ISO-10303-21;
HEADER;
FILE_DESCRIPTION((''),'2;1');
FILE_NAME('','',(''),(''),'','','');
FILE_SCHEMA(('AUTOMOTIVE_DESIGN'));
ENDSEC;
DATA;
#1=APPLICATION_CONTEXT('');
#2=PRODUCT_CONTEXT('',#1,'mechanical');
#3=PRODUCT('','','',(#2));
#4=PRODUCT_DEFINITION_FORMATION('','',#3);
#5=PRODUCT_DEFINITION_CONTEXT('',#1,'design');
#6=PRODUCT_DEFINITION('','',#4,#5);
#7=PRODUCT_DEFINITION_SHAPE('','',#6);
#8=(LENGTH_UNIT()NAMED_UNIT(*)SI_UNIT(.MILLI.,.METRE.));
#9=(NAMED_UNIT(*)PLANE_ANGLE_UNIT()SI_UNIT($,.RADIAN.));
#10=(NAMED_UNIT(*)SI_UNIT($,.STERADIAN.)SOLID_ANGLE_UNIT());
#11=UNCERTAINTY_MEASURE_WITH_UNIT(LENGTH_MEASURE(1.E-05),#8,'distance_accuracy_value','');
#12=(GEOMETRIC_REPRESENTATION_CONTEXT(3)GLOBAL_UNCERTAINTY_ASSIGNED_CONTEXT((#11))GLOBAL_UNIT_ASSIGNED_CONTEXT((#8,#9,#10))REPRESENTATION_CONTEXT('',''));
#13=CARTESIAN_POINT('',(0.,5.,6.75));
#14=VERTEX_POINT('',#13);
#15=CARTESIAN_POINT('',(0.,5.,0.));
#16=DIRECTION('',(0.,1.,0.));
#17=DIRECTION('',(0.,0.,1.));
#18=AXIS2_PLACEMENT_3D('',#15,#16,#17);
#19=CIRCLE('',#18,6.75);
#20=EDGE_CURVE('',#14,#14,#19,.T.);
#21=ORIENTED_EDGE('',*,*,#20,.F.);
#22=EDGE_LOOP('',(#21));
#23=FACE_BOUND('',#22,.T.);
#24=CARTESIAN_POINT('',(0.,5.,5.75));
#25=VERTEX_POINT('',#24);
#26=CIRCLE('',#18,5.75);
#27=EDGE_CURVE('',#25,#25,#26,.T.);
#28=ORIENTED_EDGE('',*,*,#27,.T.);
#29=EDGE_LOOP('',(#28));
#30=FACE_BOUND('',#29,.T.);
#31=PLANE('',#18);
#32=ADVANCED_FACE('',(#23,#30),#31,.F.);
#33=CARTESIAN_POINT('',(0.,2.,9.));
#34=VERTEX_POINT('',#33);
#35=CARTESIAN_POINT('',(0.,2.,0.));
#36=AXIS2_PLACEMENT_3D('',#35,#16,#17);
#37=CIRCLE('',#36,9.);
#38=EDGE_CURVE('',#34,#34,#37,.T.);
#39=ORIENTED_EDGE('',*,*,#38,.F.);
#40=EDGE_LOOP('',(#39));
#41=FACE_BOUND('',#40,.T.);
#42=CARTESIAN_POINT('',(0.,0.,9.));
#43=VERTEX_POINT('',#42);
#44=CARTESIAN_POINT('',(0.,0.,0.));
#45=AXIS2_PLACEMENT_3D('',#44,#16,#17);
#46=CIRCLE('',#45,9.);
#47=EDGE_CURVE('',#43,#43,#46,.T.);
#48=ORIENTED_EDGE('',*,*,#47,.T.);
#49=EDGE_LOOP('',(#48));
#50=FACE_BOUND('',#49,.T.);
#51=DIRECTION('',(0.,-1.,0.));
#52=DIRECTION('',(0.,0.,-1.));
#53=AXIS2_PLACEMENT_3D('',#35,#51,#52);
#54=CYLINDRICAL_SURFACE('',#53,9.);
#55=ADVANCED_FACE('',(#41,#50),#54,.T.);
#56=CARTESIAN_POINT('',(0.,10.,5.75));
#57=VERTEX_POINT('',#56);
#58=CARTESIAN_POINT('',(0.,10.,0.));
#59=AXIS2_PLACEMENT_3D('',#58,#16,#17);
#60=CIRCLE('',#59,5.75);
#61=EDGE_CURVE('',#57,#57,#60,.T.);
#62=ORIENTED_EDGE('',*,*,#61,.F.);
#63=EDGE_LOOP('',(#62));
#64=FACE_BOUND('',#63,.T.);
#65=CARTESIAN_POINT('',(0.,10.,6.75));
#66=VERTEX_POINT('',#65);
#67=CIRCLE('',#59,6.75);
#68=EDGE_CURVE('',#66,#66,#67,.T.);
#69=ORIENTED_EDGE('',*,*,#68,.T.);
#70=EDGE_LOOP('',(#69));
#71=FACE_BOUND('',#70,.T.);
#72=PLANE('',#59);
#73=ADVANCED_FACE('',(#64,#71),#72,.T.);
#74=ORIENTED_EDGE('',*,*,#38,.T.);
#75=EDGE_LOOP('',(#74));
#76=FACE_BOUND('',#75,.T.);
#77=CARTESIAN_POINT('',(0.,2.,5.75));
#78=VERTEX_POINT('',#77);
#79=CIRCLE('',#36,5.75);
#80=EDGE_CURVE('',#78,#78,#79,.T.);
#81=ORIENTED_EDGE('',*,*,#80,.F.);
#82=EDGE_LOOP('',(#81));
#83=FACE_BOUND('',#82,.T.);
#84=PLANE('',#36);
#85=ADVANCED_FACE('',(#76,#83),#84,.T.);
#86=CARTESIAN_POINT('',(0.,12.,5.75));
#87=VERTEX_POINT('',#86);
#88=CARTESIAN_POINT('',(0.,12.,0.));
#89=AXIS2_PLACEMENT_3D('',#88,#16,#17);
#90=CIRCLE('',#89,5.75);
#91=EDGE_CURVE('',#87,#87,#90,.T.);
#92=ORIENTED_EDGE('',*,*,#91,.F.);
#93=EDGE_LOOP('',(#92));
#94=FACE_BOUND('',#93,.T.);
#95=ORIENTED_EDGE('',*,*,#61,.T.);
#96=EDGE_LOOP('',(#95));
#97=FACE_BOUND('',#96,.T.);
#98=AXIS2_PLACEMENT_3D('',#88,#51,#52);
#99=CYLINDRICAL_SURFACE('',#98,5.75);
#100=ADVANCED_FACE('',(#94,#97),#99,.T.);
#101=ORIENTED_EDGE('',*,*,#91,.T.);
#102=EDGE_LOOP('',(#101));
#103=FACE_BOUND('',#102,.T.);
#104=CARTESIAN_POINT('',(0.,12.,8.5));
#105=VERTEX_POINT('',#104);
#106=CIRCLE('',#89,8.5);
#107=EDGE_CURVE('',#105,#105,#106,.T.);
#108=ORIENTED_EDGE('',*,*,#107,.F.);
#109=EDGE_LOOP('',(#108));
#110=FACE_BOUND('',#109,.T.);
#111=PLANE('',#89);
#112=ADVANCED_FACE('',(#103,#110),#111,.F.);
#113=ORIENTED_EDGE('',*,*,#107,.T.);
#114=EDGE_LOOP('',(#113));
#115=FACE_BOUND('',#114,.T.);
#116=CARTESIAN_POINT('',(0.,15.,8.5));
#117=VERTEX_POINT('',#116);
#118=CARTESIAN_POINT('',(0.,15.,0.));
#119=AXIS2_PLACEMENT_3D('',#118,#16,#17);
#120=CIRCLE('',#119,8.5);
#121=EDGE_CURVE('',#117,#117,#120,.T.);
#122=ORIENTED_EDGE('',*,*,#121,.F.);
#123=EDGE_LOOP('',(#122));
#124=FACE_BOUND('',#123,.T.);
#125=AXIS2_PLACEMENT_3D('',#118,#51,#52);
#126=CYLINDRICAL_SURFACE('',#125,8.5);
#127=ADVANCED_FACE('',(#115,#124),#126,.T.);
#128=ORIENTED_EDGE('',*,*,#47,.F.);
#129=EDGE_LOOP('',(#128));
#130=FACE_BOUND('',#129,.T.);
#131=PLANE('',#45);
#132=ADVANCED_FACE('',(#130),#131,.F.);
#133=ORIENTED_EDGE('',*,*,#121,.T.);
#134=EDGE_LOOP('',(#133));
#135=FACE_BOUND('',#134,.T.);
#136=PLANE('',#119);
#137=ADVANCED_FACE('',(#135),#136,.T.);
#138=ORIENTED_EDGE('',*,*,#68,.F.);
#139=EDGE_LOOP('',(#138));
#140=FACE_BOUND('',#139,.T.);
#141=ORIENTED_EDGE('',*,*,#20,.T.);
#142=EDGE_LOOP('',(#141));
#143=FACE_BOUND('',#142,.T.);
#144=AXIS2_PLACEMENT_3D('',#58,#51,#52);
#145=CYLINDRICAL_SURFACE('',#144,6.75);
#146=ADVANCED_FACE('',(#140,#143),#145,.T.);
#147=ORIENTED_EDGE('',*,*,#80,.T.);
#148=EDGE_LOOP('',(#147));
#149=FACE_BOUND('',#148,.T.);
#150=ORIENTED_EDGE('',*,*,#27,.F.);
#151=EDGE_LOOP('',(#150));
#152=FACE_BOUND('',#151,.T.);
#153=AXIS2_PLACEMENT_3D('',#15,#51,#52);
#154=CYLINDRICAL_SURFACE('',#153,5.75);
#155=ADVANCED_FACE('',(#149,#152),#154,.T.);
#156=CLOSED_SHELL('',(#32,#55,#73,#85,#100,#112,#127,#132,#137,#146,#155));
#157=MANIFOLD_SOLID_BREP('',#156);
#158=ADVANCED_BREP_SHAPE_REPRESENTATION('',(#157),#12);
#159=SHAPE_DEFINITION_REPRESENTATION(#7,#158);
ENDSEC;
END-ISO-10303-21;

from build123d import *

# Parameters (mm, degrees)
SKETCH1_R           = 9
BOSS_EXTRUDE1_DEPTH = 2
SKETCH2_R           = 5.75
BOSS_EXTRUDE2_DEPTH = 3
SKETCH3_R           = 6.75
BOSS_EXTRUDE3_DEPTH = 5
SKETCH4_R           = 5.75
BOSS_EXTRUDE4_DEPTH = 2
SKETCH5_R           = 8.5
BOSS_EXTRUDE5_DEPTH = 3


with BuildPart() as part:
    # Sketch1 → Boss-Extrude1 (new body)
    with BuildSketch(Plane(origin=(0, 0, 0), x_dir=(1, 0, 0), z_dir=(0, 1, 0))):
        Circle(SKETCH1_R)
    extrude(amount=BOSS_EXTRUDE1_DEPTH)

    # Sketch2 → Boss-Extrude2 (add)
    with BuildSketch(Plane(origin=(0, 2, 0), x_dir=(1, 0, 0), z_dir=(0, 1, 0))):
        Circle(SKETCH2_R)
    extrude(amount=BOSS_EXTRUDE2_DEPTH)

    # Sketch3 → Boss-Extrude3 (add)
    with BuildSketch(Plane(origin=(0, 5, 0), x_dir=(1, 0, 0), z_dir=(0, 1, 0))):
        Circle(SKETCH3_R)
    extrude(amount=BOSS_EXTRUDE3_DEPTH)

    # Sketch4 → Boss-Extrude4 (add)
    with BuildSketch(Plane(origin=(0, 10, 0), x_dir=(1, 0, 0), z_dir=(0, 1, 0))):
        Circle(SKETCH4_R)
    extrude(amount=BOSS_EXTRUDE4_DEPTH)

    # Sketch5 → Boss-Extrude5 (add)
    with BuildSketch(Plane(origin=(0, 12, 0), x_dir=(1, 0, 0), z_dir=(0, 1, 0))):
        Circle(SKETCH5_R)
    extrude(amount=BOSS_EXTRUDE5_DEPTH)


solid = part.part
